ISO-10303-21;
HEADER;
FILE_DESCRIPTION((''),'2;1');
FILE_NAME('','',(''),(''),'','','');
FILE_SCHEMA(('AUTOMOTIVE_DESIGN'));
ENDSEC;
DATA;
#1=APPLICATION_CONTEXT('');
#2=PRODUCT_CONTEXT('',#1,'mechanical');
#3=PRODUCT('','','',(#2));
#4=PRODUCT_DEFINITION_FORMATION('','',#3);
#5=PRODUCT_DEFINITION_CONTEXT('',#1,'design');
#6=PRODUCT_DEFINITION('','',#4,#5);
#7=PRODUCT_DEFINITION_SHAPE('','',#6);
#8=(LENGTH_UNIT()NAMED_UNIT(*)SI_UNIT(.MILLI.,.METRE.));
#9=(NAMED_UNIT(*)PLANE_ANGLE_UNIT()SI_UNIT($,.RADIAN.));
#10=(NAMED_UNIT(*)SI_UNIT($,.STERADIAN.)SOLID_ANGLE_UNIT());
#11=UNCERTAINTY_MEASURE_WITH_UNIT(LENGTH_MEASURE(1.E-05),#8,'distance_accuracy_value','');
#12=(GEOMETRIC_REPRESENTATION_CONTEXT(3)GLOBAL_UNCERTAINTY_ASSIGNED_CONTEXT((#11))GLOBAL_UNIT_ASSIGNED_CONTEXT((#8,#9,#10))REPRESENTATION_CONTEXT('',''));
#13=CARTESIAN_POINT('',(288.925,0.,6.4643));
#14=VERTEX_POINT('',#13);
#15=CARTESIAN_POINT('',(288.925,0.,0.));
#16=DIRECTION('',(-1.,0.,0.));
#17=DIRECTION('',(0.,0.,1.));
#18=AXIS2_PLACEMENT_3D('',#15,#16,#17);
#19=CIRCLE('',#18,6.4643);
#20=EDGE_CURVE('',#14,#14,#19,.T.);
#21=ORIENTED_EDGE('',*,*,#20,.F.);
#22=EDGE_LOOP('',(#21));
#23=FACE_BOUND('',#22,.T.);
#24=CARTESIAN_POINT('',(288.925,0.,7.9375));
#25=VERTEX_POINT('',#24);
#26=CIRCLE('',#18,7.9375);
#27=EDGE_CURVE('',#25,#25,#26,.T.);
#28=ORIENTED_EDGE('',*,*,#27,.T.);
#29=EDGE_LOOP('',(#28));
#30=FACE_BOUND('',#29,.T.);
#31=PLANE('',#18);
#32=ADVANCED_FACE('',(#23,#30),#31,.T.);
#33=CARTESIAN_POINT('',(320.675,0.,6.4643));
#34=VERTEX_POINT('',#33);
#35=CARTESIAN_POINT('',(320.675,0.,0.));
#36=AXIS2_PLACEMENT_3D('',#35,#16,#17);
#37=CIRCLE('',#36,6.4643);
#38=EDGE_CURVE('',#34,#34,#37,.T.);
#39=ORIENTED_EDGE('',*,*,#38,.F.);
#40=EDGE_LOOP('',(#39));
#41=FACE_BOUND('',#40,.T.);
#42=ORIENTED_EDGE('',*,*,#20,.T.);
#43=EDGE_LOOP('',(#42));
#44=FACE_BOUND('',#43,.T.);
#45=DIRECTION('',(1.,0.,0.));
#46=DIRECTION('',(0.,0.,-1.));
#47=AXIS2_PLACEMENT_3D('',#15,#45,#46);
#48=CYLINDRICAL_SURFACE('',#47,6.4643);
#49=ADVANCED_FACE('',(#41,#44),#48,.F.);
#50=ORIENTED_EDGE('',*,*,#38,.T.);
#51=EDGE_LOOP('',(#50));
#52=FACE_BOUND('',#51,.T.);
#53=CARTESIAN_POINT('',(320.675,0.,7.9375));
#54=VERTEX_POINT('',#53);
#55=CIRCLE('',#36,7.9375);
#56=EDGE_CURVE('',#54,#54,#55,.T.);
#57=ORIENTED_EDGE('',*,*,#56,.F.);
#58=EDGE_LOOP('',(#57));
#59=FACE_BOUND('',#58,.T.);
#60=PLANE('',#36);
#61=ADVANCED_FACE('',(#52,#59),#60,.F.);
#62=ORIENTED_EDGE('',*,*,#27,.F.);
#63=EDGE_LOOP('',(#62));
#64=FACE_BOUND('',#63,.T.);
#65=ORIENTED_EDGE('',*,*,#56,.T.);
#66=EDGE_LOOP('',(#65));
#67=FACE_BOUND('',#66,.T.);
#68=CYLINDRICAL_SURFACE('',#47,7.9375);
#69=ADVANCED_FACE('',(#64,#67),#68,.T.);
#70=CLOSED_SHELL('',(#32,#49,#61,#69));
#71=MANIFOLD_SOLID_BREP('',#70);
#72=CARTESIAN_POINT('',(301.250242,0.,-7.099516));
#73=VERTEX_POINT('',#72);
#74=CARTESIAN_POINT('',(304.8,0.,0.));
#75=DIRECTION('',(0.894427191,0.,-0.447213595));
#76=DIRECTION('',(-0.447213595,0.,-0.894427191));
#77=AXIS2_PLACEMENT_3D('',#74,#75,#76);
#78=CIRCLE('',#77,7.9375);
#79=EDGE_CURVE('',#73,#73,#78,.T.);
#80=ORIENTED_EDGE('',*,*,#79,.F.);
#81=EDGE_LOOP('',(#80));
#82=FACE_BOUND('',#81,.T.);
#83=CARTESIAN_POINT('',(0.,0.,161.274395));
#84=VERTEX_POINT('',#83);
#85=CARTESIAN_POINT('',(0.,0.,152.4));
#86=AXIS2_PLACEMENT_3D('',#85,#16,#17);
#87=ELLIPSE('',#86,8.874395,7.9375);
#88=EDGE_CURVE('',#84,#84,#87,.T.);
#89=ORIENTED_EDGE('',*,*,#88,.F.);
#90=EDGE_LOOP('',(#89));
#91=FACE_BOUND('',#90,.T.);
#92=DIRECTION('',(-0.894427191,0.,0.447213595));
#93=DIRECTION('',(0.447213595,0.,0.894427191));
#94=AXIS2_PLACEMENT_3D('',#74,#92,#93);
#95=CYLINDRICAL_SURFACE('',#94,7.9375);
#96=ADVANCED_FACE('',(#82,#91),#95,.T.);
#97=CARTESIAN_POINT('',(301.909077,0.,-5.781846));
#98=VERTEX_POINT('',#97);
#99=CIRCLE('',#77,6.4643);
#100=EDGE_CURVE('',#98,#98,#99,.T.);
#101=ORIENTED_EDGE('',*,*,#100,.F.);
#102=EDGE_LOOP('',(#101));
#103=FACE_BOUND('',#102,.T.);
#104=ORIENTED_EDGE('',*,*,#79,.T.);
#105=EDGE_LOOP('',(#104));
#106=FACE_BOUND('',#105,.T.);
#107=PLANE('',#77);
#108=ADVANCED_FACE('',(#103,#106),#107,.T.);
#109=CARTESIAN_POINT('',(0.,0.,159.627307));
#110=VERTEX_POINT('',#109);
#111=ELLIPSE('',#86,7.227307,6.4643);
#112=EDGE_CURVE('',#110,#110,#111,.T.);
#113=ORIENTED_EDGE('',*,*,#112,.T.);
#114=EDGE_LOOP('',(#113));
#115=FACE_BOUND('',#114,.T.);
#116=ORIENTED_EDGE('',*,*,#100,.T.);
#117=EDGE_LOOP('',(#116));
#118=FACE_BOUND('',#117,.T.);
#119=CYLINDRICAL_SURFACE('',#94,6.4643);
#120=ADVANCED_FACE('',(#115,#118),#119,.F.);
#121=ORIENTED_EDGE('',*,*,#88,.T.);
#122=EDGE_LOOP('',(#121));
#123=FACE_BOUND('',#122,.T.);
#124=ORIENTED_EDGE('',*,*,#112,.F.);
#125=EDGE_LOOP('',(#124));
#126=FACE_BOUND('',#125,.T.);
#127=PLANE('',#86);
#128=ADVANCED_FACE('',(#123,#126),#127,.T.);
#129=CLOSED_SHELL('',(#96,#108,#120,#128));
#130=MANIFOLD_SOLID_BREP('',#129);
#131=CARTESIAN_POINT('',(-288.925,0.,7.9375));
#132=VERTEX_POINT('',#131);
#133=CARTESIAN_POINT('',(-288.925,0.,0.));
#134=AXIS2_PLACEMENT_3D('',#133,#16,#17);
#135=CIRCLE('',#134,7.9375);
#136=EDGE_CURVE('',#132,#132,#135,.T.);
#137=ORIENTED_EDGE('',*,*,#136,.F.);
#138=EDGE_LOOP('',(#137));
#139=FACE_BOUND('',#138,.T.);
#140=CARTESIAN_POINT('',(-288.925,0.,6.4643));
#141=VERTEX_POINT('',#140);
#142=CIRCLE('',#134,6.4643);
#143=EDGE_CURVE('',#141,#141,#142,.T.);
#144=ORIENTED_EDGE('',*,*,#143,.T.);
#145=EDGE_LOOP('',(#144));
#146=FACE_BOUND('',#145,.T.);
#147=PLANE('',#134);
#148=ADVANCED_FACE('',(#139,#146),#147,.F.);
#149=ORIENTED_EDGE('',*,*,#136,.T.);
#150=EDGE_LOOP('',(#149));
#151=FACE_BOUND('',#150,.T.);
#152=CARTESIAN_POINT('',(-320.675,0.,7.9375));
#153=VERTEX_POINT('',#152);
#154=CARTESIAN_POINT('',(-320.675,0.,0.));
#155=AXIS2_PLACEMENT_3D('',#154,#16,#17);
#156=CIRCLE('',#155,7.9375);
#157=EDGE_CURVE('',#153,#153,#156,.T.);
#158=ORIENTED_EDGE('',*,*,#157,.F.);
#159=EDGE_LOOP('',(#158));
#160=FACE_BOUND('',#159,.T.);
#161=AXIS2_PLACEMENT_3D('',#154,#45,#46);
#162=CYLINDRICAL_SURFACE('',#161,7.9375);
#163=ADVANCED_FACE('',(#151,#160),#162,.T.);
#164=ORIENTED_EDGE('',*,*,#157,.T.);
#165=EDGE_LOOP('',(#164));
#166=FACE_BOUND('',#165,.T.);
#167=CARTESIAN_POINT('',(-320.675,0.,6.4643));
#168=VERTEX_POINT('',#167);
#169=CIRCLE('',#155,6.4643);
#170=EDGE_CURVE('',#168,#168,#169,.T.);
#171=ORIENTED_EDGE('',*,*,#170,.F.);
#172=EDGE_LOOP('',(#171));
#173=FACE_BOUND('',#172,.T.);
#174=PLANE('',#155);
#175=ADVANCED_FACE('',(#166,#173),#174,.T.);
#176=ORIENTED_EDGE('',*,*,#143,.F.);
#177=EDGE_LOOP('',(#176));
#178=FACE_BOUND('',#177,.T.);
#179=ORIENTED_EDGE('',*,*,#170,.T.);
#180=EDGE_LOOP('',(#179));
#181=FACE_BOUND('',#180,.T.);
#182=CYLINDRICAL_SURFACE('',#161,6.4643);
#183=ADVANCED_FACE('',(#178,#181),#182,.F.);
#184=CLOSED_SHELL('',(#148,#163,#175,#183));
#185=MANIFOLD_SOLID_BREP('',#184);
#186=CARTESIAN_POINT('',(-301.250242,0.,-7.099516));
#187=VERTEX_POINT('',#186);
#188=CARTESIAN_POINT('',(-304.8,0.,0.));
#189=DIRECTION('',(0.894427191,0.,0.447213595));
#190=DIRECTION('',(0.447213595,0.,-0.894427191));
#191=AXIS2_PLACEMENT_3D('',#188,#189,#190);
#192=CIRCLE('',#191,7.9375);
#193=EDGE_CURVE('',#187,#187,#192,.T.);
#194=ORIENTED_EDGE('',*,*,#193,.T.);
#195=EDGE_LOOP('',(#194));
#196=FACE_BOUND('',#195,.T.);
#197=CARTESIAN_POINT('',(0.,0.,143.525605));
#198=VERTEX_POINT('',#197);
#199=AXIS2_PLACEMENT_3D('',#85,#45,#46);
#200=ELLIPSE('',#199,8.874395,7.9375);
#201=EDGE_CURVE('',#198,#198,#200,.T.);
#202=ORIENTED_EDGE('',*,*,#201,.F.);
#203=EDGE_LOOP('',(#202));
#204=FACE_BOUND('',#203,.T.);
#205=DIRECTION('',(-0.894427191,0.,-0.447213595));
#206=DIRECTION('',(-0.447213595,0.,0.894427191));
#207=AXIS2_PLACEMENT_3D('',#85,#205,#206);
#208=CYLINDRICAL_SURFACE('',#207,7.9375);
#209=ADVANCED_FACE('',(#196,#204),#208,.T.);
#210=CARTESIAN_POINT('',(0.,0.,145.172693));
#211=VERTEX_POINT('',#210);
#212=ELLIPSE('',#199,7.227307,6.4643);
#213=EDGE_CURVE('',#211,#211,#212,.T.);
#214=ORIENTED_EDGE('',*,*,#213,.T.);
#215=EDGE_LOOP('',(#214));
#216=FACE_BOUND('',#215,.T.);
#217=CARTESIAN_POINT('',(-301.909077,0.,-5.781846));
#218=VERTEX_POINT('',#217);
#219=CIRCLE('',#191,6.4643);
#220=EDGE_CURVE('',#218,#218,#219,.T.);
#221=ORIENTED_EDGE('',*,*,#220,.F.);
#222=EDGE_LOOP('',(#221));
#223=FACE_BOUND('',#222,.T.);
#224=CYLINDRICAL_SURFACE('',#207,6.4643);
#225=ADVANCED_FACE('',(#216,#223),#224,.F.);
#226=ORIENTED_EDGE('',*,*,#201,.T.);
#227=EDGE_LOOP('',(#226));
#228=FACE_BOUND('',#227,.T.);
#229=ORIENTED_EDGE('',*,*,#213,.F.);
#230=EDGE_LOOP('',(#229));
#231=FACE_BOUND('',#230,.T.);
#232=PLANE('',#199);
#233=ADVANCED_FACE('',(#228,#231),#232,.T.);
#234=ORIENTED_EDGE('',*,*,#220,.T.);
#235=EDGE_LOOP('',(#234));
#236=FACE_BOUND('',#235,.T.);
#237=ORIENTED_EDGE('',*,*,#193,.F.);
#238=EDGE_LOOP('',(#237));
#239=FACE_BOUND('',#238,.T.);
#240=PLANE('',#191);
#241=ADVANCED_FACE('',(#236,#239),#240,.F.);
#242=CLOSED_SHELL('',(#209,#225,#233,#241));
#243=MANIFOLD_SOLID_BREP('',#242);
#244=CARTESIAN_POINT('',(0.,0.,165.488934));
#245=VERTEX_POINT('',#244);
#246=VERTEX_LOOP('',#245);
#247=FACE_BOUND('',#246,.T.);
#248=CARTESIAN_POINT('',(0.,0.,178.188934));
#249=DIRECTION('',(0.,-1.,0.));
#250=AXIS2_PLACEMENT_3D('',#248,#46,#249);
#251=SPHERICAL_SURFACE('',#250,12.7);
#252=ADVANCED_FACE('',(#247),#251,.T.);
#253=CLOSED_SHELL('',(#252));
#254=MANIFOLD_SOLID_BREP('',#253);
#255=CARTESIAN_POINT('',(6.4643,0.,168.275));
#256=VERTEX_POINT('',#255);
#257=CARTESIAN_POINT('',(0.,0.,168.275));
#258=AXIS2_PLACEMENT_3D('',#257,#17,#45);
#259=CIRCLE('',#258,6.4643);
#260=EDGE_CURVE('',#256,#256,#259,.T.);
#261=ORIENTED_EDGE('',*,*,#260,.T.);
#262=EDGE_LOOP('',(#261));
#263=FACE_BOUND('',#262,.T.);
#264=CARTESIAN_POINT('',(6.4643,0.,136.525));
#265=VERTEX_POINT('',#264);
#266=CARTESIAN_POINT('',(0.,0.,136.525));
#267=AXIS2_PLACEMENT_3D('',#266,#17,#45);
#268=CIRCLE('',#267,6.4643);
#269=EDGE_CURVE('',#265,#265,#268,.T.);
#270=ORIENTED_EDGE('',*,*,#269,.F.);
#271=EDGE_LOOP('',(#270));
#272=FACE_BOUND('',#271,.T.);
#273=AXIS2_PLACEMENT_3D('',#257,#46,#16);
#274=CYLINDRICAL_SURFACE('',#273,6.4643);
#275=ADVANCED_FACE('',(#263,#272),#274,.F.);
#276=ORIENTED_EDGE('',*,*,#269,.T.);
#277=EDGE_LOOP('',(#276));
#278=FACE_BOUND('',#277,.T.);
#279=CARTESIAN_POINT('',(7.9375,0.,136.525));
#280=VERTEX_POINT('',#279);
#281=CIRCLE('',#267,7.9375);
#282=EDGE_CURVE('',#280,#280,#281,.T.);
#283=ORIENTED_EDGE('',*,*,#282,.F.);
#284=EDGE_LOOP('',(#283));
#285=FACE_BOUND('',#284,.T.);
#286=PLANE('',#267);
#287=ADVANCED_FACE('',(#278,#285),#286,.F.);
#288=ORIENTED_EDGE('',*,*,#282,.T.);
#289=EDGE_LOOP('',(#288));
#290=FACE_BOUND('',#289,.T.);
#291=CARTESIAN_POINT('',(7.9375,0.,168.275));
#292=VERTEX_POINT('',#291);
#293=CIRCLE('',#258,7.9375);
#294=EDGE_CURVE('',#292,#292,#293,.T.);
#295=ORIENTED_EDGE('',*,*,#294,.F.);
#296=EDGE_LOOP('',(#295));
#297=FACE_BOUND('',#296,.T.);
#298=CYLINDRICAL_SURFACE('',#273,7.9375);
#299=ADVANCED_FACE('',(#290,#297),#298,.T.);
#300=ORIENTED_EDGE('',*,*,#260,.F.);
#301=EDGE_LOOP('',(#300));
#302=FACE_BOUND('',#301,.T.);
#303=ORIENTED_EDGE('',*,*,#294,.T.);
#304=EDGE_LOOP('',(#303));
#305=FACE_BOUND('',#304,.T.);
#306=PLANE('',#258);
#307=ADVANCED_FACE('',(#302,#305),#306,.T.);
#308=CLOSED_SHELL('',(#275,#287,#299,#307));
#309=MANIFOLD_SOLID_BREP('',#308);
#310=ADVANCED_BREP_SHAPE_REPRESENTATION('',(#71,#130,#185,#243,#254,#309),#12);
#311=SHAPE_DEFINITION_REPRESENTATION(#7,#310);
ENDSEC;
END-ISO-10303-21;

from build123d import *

# Parameters (mm, degrees)
SKETCH11_R                                     = 7.9375
SKETCH11_R_2                                   = 6.4643
AL_ROUND_TUBING_AL_RND_TUBE_0_625_OD_X_0_DEPTH = 347.389419847
SKETCH11_ON_SEGMENT_2_R                        = 7.9375
SKETCH11_ON_SEGMENT_2_R_2                      = 6.4643
AL_ROUND_TUBING_AL_RND_TUBE_0_625_OD_3_DEPTH   = 347.389419847
SKETCH12_R                                     = 7.9375
SKETCH12_R_2                                   = 6.4643
AL_ROUND_TUBING_AL_RND_TUBE_0_625_OD_4_DEPTH   = 31.75
SKETCH12_ON_SEGMENT_2_R                        = 7.9375
SKETCH12_ON_SEGMENT_2_R_2                      = 6.4643
AL_ROUND_TUBING_AL_RND_TUBE_0_625_OD_4_2_DEPTH = 31.75
SKETCH12_ON_SEGMENT_3_R                        = 7.9375
SKETCH12_ON_SEGMENT_3_R_2                      = 6.4643
AL_ROUND_TUBING_AL_RND_TUBE_0_625_OD_4_3_DEPTH = 31.75


with BuildPart() as part:
    # Sketch11 → Al round tubing AL RND TUBE 0.625 OD X 0 (new body)
    with BuildSketch(Plane(origin=(-304.8, 0, 0), x_dir=(0.447213595499958, 0, -0.894427190999916), z_dir=(0.894427190999916, 0, 0.447213595499958))):
        Circle(SKETCH11_R)
        Circle(SKETCH11_R_2, mode=Mode.SUBTRACT)
    extrude(amount=AL_ROUND_TUBING_AL_RND_TUBE_0_625_OD_X_0_DEPTH)

    # Al round tubing AL RND TUBE 0.625 OD 2
    split(bisect_by=Plane(origin=(0, 0, 152.4), x_dir=(0, -1, 0), z_dir=(-1, 0, 0)), keep=Keep.TOP)


with BuildPart() as body_2:
    # Sketch11 on segment 2 (carried to segment 2) → Al round tubing AL RND TUBE 0.625 OD 3 (new body)
    with BuildSketch(Plane(origin=(-5.914542977, 0, 155.357271488), x_dir=(-0.447213595, 0, -0.894427191), z_dir=(0.894427191, 0, -0.447213595))):
        Circle(SKETCH11_ON_SEGMENT_2_R)
        Circle(SKETCH11_ON_SEGMENT_2_R_2, mode=Mode.SUBTRACT)
    extrude(amount=AL_ROUND_TUBING_AL_RND_TUBE_0_625_OD_3_DEPTH)

    # Al round tubing AL RND TUBE 0.625 OD 3 m
    split(bisect_by=Plane(origin=(0, 0, 152.4), x_dir=(0, 1, 0), z_dir=(1, 0, 0)), keep=Keep.TOP)


with BuildPart() as body_3:
    # Sketch12 → Al round tubing AL RND TUBE 0.625 OD 4 (new body)
    with BuildSketch(Plane.XY.offset(136.525)):
        Circle(SKETCH12_R)
        Circle(SKETCH12_R_2, mode=Mode.SUBTRACT)
    extrude(amount=AL_ROUND_TUBING_AL_RND_TUBE_0_625_OD_4_DEPTH)


with BuildPart() as body_4:
    # Sketch12 on segment 2 (carried to segment 2) → Al round tubing AL RND TUBE 0.625 OD 4 2 (new body)
    with BuildSketch(Plane.ZY.offset(288.925)):
        Circle(SKETCH12_ON_SEGMENT_2_R)
        Circle(SKETCH12_ON_SEGMENT_2_R_2, mode=Mode.SUBTRACT)
    extrude(amount=AL_ROUND_TUBING_AL_RND_TUBE_0_625_OD_4_2_DEPTH)


with BuildPart() as body_5:
    # Sketch12 on segment 3 (carried to segment 3) → Al round tubing AL RND TUBE 0.625 OD 4 3 (new body)
    with BuildSketch(Plane(origin=(288.925, 0, 0), x_dir=(0, 0, -1), z_dir=(1, 0, 0))):
        Circle(SKETCH12_ON_SEGMENT_3_R)
        Circle(SKETCH12_ON_SEGMENT_3_R_2, mode=Mode.SUBTRACT)
    extrude(amount=AL_ROUND_TUBING_AL_RND_TUBE_0_625_OD_4_3_DEPTH)


with BuildPart() as body_6:
    # Sketch13 → Revolve1 (revolve)
    with BuildSketch(Plane(origin=(0, 0, 0), x_dir=(0, 0, -1), z_dir=(1, 0, 0))):
        with BuildLine():
            Line((-165.488934322, 0), (-190.888934322, 0))
            ThreePointArc((-190.888934322, 0), (-178.188934322, 12.7), (-165.488934322, 0))
        make_face()
    revolve(axis=Axis((0, 0, 165.488934322), (0, 0, 1)))


solid = Compound([part.part, body_2.part, body_3.part, body_4.part, body_5.part, body_6.part])
